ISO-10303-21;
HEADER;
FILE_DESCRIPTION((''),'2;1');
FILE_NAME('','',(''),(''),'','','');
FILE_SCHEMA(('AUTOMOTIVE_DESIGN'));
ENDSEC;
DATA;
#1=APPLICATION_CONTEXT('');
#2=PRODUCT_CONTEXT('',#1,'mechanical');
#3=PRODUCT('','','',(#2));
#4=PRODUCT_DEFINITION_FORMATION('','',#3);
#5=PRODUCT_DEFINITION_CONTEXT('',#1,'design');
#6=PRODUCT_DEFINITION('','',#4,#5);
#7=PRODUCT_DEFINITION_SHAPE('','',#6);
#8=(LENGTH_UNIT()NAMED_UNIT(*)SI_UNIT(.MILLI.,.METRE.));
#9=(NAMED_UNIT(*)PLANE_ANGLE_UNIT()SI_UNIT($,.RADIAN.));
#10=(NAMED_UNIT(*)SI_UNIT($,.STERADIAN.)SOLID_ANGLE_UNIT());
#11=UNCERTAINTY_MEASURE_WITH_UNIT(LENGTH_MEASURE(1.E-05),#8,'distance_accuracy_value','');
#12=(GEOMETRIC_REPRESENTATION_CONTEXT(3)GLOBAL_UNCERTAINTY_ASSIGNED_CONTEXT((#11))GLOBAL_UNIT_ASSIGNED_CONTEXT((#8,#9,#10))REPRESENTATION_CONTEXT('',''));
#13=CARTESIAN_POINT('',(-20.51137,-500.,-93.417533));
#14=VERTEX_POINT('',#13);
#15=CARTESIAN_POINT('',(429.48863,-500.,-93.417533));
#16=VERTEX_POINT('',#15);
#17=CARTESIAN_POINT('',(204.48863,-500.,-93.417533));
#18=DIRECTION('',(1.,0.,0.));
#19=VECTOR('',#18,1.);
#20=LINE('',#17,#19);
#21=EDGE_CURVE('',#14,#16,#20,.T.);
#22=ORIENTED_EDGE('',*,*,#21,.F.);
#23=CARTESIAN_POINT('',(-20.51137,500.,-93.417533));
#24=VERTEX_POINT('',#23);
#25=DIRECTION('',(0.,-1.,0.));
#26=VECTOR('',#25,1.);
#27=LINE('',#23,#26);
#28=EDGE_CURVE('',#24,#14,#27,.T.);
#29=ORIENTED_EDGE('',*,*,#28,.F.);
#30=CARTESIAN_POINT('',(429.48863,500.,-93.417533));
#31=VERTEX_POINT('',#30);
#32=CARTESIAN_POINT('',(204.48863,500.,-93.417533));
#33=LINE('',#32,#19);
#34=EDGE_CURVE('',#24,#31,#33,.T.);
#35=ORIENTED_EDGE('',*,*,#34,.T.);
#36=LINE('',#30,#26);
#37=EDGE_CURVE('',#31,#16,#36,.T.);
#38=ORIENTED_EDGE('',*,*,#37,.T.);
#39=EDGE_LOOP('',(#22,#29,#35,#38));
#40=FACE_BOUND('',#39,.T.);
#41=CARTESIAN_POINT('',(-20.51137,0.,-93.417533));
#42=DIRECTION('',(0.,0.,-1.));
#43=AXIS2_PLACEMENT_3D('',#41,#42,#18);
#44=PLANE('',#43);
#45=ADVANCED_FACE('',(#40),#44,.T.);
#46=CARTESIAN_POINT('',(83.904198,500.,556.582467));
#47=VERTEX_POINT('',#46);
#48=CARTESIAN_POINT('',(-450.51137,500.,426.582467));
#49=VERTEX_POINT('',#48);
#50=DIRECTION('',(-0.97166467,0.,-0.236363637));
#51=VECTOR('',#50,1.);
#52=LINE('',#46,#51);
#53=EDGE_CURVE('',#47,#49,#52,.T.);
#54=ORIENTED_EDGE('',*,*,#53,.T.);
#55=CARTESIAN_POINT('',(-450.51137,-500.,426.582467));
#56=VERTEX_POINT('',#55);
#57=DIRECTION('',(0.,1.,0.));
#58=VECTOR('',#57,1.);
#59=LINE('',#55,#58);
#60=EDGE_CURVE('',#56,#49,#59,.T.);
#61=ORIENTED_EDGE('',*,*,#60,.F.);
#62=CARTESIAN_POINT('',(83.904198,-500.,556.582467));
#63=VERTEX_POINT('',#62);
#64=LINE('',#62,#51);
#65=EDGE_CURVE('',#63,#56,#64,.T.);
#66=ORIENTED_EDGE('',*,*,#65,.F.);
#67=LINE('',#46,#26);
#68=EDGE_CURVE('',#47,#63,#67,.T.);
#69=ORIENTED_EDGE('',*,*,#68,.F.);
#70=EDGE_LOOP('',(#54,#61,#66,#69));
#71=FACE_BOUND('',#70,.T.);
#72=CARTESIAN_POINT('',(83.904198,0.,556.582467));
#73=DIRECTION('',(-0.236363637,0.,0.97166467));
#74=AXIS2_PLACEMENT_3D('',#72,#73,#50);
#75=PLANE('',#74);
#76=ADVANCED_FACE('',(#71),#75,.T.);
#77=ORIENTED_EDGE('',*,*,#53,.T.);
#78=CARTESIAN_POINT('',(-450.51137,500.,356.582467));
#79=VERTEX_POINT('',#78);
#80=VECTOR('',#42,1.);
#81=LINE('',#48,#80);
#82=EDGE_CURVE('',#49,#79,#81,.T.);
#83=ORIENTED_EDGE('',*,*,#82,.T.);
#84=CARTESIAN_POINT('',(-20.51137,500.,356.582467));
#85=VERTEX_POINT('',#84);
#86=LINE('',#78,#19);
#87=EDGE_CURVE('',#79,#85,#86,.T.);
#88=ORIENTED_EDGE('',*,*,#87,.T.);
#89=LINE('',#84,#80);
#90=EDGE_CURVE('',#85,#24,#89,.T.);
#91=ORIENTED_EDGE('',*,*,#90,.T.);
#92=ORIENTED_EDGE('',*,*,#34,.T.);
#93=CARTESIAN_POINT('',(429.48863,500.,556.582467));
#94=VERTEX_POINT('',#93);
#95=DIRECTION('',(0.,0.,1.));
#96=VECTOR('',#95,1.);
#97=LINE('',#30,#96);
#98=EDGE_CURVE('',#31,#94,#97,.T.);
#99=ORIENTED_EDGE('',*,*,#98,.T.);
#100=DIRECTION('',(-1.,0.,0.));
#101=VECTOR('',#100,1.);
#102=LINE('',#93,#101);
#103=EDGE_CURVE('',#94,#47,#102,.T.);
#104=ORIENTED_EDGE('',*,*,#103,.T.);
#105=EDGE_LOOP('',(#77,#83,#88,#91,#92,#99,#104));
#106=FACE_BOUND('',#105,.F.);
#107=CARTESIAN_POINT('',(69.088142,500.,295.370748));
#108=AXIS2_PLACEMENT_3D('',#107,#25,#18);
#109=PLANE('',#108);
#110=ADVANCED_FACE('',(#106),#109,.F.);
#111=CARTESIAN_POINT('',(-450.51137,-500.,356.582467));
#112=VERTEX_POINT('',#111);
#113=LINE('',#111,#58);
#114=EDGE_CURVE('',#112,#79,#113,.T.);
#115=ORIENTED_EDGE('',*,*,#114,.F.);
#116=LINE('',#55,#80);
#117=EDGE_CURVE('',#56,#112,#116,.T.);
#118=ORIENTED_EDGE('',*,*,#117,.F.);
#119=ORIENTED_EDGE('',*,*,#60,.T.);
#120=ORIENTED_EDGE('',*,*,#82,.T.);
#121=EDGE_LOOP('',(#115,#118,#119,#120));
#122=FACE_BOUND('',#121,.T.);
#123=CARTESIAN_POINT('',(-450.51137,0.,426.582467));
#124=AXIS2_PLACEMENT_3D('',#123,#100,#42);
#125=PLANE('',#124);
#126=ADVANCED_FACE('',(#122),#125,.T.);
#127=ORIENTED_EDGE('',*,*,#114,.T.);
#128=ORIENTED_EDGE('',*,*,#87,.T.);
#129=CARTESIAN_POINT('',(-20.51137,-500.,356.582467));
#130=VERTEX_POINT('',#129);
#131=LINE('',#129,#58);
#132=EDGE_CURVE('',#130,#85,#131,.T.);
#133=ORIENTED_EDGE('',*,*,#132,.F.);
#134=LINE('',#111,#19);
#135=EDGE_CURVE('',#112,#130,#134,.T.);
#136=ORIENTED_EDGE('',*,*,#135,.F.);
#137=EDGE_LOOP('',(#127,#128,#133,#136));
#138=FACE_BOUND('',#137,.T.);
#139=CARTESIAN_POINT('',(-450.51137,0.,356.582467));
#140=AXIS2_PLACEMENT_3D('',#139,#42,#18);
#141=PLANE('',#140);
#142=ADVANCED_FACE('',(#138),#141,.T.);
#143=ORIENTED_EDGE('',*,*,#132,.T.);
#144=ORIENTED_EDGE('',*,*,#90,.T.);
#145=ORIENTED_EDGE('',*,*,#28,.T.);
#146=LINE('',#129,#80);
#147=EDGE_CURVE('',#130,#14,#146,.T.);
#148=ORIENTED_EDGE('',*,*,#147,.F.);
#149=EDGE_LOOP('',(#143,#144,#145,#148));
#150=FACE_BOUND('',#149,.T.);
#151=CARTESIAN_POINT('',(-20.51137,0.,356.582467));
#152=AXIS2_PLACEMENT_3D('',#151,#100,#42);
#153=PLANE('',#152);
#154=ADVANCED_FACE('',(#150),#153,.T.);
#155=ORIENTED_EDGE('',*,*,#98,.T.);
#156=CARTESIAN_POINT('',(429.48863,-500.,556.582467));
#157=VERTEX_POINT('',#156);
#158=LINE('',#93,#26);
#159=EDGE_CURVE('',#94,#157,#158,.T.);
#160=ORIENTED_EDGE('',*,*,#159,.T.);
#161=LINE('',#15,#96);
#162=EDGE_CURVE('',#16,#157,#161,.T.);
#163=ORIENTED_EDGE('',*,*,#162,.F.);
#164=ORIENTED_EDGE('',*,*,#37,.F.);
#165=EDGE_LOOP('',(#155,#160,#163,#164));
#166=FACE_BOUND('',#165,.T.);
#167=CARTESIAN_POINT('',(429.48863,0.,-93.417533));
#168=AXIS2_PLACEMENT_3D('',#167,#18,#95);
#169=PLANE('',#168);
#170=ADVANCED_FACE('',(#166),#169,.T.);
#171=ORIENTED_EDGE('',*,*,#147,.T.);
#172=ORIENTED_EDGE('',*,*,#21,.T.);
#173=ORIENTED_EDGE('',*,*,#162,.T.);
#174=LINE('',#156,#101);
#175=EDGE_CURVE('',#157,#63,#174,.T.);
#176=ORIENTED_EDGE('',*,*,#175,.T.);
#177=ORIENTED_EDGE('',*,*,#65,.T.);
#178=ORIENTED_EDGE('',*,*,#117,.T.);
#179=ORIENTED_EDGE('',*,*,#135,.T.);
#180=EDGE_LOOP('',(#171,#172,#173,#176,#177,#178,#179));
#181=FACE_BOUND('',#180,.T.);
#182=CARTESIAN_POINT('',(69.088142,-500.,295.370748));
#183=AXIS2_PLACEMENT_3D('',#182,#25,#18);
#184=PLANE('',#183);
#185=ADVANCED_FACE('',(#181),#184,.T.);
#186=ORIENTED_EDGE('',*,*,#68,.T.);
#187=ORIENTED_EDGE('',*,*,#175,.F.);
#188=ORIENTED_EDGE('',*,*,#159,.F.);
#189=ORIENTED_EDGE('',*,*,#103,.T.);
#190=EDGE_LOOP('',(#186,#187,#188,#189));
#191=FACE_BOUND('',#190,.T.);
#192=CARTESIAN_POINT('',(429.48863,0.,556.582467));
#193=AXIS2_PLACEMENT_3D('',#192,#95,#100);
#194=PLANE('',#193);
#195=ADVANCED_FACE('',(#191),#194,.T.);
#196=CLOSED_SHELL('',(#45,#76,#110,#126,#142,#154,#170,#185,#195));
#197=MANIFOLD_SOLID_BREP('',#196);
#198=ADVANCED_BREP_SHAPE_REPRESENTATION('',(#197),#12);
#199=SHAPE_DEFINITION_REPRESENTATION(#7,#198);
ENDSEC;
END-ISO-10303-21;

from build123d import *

# Parameters (mm, degrees)
F0_W          = 450
F0_H          = 50
F1_DEPTH      = 500
F1_DEPTH_BACK = 500


with BuildPart() as f1:
    # F0 (on Front) → F1 (new body, two sides)
    with BuildSketch(Plane.XZ) as f1_sk:
        Polygon((-20.51137, 356.582467), (-20.51137, -43.417533), (429.48863, -43.417533), (429.48863, 556.582467), (83.904198, 556.582467), (-450.51137, 426.582467), (-450.51137, 356.582467), align=None)
        with Locations((204.48863, -68.417533)):
            Rectangle(F0_W, F0_H)
    extrude(amount=F1_DEPTH)
    extrude(f1_sk.sketch, amount=-F1_DEPTH_BACK)


solid = f1.part
